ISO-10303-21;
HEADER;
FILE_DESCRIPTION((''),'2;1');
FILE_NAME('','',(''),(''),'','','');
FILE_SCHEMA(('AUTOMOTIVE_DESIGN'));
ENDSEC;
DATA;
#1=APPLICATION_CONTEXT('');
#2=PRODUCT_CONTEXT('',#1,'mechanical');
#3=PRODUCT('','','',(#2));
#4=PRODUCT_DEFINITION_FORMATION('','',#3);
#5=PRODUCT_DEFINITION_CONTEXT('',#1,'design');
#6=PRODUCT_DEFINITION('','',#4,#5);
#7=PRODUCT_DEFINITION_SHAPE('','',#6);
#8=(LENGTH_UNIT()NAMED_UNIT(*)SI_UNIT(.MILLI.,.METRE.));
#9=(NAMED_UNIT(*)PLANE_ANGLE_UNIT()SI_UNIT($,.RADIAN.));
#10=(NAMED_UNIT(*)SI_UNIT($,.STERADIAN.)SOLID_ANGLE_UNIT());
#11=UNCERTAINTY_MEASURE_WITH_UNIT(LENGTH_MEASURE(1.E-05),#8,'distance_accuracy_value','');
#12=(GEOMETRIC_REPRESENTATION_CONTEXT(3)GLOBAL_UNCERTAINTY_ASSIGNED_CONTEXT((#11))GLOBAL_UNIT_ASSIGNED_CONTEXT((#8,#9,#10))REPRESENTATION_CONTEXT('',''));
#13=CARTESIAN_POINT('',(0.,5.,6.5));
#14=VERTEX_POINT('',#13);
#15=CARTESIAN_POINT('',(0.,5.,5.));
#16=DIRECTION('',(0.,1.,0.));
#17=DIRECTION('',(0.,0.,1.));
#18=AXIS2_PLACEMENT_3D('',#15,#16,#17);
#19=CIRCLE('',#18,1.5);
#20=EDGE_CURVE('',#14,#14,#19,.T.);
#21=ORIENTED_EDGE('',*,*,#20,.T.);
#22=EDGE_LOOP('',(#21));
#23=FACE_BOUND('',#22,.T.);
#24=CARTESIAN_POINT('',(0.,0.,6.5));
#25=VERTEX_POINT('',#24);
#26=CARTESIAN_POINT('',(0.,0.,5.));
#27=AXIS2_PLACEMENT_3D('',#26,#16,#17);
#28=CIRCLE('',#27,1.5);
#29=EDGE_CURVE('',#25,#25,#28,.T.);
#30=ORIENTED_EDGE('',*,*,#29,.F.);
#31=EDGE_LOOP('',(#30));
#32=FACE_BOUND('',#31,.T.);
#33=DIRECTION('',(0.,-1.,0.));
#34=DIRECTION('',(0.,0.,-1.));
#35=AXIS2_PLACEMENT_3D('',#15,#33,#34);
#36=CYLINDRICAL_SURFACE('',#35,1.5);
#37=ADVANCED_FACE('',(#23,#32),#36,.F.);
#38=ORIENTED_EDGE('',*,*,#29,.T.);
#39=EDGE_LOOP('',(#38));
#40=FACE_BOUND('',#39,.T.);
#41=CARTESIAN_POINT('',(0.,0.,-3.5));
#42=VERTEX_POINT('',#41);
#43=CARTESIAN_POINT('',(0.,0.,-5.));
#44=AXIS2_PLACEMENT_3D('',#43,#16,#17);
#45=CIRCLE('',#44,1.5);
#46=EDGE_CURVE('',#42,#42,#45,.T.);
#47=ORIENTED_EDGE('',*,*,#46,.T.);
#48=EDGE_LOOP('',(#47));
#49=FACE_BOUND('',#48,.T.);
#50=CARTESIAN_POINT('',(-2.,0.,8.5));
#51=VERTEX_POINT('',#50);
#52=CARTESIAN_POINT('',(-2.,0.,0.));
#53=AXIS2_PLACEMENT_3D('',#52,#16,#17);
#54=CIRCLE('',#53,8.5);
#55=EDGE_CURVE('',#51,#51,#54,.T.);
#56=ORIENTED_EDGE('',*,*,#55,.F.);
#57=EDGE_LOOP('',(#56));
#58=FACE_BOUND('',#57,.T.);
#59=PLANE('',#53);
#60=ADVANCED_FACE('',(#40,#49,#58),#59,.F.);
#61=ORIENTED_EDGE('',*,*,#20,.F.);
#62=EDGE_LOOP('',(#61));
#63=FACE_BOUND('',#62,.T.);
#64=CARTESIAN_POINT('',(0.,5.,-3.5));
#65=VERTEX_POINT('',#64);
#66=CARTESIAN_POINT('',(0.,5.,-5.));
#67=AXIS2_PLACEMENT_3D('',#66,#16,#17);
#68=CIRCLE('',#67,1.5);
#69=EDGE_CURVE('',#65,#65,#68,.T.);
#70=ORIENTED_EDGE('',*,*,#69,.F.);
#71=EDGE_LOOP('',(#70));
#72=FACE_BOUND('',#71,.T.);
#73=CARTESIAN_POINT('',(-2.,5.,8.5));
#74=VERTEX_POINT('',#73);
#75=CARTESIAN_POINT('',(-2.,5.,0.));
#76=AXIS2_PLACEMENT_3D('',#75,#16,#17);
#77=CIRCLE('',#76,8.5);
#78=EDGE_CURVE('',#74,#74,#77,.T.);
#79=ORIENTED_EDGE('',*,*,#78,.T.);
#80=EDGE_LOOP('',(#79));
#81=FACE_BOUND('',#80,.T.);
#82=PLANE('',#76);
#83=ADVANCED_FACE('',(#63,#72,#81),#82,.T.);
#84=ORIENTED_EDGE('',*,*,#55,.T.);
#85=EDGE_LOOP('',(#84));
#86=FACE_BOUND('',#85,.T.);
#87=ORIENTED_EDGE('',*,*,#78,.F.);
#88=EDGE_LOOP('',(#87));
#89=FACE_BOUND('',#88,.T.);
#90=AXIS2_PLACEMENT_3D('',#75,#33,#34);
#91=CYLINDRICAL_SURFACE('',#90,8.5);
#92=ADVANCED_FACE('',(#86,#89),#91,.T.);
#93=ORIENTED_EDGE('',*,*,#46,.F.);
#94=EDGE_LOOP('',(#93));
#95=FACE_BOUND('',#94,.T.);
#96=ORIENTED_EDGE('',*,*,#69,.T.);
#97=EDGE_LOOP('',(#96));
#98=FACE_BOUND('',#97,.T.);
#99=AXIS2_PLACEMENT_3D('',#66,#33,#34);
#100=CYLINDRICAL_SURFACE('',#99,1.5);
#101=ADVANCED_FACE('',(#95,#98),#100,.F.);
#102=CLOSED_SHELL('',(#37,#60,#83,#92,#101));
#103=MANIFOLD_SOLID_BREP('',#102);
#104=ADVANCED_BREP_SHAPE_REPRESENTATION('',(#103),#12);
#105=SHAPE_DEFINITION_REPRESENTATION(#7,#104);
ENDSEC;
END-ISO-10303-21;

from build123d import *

# Parameters (mm, degrees)
SKETCH1_R           = 8.5
SKETCH1_R_2         = 1.5
BOSS_EXTRUDE1_DEPTH = 5


with BuildPart() as part:
    # Sketch1 → Boss-Extrude1 (new body)
    with BuildSketch(Plane(origin=(0, 0, 0), x_dir=(1, 0, 0), z_dir=(0, 1, 0))):
        with Locations(Location((-2, 0, 0), (0, 0, 270))):
            Circle(SKETCH1_R)
        with Locations(Location((0, 5, 0), (0, 0, 270))):
            Circle(SKETCH1_R_2, mode=Mode.SUBTRACT)
        with Locations(Location((0, -5, 0), (0, 0, 270))):
            Circle(SKETCH1_R_2, mode=Mode.SUBTRACT)
    extrude(amount=BOSS_EXTRUDE1_DEPTH)


solid = part.part
